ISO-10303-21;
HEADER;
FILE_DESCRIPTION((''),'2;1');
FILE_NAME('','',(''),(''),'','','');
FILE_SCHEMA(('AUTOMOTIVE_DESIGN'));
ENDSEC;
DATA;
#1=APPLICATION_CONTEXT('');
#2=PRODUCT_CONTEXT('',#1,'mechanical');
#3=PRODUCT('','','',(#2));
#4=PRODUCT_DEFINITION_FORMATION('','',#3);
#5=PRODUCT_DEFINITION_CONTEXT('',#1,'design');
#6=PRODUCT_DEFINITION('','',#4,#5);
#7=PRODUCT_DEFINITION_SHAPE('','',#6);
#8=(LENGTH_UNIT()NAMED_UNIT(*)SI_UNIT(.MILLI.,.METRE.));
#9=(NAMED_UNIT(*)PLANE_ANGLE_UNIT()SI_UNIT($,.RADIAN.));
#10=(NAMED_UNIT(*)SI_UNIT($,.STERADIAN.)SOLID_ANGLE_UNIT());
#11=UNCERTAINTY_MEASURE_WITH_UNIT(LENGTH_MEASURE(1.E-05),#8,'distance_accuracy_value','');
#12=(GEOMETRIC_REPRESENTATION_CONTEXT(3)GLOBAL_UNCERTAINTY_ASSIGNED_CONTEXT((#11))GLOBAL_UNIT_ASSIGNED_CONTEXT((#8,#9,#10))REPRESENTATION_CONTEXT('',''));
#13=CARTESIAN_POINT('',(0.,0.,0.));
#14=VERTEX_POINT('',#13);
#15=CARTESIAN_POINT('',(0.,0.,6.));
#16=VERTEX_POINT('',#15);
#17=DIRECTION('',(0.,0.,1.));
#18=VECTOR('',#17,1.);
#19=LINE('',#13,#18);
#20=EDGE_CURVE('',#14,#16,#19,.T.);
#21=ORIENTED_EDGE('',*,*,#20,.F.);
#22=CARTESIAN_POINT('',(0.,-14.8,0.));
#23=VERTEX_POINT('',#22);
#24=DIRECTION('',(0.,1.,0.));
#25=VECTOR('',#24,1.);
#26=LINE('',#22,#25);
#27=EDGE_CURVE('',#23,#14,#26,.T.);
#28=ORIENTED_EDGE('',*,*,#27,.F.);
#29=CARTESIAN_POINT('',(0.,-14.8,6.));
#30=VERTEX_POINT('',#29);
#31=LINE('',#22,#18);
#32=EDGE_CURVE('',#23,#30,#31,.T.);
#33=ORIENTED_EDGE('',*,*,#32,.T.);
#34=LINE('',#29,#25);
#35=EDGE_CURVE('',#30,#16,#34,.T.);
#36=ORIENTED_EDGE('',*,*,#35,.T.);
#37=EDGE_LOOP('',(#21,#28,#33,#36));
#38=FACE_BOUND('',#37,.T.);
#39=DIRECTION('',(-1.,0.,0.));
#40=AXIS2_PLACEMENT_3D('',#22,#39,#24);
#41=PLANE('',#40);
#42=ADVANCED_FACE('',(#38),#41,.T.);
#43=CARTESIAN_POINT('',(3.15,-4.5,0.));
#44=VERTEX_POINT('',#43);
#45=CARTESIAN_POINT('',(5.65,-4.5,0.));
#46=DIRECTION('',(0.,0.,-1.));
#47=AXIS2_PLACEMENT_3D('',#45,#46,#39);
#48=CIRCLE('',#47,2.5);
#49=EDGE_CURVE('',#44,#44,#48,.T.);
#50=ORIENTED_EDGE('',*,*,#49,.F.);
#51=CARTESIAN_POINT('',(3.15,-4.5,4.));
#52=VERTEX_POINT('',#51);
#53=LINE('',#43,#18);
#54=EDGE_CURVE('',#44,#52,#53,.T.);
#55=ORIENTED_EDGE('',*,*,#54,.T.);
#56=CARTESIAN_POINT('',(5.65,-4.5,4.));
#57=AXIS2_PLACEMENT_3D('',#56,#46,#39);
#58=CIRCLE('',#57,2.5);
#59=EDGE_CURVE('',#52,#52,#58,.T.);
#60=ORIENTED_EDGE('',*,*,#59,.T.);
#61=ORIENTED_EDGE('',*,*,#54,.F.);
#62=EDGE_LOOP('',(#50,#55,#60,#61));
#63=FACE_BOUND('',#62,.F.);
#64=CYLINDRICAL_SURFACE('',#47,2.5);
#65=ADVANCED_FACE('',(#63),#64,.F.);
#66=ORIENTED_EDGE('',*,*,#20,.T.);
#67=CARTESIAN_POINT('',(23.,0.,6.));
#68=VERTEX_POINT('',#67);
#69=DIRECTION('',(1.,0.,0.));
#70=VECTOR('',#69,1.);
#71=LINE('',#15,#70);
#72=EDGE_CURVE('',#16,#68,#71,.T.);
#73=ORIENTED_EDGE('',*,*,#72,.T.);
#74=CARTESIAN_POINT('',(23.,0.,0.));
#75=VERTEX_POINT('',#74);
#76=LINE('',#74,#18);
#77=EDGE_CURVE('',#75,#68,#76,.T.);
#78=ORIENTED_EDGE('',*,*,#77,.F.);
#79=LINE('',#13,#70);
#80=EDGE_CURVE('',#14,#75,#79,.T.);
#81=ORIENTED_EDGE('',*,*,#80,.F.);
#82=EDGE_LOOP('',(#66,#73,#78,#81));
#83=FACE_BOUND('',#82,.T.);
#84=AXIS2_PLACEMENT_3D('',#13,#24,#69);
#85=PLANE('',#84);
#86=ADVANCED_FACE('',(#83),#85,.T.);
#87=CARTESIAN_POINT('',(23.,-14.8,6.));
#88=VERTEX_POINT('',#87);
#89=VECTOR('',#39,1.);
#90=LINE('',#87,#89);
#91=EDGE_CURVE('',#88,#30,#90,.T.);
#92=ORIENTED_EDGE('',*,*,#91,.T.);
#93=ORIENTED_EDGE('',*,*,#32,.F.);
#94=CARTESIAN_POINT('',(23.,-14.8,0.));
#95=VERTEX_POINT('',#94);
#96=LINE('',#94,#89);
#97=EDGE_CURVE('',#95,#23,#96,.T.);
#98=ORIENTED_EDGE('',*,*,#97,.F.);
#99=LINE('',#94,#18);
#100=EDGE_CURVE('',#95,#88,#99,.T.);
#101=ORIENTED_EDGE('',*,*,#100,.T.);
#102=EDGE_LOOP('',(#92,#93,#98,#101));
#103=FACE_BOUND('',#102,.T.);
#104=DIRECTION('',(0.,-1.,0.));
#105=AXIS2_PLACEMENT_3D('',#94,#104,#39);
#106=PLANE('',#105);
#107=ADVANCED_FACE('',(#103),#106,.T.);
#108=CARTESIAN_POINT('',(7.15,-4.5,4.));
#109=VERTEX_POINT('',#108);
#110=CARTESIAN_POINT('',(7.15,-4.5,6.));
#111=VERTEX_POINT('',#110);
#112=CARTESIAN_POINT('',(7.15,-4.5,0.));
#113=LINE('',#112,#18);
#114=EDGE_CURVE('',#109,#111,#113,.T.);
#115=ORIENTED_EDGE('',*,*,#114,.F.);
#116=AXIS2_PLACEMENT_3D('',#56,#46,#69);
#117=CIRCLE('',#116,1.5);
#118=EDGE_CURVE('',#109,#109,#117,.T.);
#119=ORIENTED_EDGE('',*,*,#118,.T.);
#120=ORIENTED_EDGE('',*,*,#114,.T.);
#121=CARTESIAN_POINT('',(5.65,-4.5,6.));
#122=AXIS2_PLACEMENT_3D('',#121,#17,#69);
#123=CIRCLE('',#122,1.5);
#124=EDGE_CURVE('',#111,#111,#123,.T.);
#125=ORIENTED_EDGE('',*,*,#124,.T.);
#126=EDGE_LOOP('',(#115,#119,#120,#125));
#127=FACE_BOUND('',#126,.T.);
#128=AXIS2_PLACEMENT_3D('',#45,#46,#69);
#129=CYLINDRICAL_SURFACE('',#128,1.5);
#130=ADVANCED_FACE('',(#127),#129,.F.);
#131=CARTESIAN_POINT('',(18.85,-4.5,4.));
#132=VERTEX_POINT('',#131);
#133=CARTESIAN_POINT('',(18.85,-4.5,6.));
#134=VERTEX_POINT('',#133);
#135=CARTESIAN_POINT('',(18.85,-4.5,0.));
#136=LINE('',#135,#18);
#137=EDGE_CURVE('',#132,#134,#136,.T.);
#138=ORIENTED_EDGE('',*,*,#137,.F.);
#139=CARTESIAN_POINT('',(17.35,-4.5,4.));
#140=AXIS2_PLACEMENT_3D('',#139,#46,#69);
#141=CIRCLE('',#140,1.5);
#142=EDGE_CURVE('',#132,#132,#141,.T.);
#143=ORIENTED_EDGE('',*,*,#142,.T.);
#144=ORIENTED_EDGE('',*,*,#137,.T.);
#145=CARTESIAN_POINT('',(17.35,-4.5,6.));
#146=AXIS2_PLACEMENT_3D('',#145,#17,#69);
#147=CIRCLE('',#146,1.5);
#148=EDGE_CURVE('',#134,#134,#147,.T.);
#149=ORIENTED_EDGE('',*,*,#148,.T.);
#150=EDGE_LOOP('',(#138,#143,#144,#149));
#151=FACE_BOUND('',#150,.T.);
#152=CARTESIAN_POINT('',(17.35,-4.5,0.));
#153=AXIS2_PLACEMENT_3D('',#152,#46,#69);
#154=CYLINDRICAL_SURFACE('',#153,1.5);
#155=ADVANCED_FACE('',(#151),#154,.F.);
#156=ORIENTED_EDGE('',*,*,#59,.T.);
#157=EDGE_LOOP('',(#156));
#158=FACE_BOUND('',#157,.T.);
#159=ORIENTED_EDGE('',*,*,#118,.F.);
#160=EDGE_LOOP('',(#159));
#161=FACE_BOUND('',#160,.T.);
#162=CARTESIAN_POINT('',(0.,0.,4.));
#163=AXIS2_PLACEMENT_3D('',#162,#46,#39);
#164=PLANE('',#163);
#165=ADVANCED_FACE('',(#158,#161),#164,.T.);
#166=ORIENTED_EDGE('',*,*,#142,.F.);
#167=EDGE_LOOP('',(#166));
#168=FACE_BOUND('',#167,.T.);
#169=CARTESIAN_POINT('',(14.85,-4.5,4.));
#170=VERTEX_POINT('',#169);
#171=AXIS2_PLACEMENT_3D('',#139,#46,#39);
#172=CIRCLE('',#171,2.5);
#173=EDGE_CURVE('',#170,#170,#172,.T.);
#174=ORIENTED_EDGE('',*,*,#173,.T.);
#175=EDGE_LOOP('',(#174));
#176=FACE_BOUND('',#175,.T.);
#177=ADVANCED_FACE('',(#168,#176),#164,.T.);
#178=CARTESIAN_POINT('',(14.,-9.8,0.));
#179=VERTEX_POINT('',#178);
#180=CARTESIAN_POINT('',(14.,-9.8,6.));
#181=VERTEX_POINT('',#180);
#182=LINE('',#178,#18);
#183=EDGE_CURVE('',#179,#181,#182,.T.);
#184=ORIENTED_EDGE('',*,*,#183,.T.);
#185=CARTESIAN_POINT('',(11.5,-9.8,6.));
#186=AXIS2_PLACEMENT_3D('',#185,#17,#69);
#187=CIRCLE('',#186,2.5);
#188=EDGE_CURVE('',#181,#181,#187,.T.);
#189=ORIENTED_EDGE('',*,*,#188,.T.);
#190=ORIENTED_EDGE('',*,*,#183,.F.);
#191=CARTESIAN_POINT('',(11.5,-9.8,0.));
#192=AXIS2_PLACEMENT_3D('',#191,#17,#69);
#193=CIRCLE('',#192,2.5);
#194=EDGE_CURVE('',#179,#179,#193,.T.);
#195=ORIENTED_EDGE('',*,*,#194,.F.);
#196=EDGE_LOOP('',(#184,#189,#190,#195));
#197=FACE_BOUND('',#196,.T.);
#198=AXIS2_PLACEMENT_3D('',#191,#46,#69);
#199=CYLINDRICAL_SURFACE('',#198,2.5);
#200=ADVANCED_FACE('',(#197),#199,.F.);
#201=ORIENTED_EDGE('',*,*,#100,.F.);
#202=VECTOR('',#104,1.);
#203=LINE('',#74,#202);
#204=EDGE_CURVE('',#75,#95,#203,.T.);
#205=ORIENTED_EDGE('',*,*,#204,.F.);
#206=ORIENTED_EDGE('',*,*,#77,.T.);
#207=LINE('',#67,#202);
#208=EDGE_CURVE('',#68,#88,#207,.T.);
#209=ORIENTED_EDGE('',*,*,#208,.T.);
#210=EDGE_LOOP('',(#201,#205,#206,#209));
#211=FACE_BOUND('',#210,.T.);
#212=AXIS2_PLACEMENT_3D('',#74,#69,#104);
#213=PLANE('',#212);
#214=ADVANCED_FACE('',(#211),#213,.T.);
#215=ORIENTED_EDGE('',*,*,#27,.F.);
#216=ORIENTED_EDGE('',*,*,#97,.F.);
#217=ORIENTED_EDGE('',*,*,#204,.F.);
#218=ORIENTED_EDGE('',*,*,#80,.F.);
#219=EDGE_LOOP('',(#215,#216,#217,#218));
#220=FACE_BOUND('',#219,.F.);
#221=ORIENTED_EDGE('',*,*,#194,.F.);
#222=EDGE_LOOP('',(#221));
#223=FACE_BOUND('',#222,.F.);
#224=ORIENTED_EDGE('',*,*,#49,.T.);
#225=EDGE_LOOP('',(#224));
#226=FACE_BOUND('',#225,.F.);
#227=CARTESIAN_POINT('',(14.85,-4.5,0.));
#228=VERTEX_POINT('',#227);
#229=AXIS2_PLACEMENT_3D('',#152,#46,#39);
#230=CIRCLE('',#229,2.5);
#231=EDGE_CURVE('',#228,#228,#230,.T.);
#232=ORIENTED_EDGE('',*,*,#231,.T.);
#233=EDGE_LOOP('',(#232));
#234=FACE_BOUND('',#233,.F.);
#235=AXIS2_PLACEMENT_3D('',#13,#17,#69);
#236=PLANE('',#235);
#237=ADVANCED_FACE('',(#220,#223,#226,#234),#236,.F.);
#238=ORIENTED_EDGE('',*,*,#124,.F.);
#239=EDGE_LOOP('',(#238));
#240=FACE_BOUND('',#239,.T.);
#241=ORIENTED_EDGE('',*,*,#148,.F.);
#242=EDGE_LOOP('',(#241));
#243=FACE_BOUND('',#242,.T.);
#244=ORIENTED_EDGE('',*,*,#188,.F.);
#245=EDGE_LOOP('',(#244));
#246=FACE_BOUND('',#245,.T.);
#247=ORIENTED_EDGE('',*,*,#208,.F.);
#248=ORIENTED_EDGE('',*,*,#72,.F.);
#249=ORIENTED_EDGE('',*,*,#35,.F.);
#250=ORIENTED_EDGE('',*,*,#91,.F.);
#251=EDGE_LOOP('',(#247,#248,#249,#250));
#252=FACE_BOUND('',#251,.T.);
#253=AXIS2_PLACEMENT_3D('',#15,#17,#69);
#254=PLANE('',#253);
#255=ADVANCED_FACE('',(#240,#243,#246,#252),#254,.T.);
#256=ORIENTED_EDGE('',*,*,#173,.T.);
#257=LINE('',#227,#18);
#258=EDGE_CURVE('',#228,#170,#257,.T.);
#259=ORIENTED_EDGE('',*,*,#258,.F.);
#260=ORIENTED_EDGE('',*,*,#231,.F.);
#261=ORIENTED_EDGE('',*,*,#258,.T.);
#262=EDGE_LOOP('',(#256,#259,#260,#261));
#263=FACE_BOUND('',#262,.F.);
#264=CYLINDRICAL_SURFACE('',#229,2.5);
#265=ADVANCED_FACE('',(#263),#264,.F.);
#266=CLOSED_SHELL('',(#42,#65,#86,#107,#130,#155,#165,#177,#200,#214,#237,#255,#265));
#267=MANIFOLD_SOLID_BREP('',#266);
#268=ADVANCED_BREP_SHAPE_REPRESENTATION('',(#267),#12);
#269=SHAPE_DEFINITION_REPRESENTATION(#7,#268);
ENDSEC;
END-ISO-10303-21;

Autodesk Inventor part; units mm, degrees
ref_plane "YZ Plane" through (0, 0, 0) normal (1, 0, 0) x (0, 1, 0)
ref_plane "XZ Plane" through (0, 0, 0) normal (0, 1, 0) x (-1, 0, 0)
ref_plane "XY Plane" through (0, 0, 0) normal (0, 0, 1) x (1, 0, 0)
sketch "Sketch1" plane through (0, 0, 0) normal (0, 0, 1) x (1, 0, 0)
  line L0 (0, 0) -> (23, 0)
  line L1 (23, 0) -> (23, -14.8)
  line L2 (23, -14.8) -> (0, -14.8)
  line L3 (0, -14.8) -> (0, 0)
  circle A0 centre (5.65, -4.5) radius 1.5
  circle A1 centre (17.35, -4.5) radius 1.5
  circle A2 centre (11.5, -9.8) radius 2.5
  dimension "d0" = 23
  dimension "d1" = 14.8
  dimension "d2" = 4.5
  dimension "d3" = 11.7
  dimension "d4" = 5.65
  dimension "d5" = 5.65
  dimension "d6" = 11.5
  dimension "d7" = 5
  dimension "d8" = 3
  dimension "d9" = 3
  dimension "d10" = 5
extrude "Extrusion1" add sketch "Sketch1" along normal blind 6
sketch "Sketch2" plane through (0, 0, 0) normal (0, 0, -1) x (-1, 0, 0)
  circle A0 centre (-17.35, -4.5) radius 1.5 projected
  circle A1 centre (-17.35, -4.5) radius 2.5
  circle A2 centre (-5.65, -4.5) radius 1.5 projected
  circle A3 centre (-5.65, -4.5) radius 2.5
  point P0 (0, 0)
  dimension "d13" = 5
  dimension "d14" = 5
extrude "Extrusion2" cut sketch "Sketch2" against normal blind 4
equation "\"d4\" = -0.5 * d3 + 0.5 * d0"
equation "\"d5\" = d4"
equation "\"d6\" = 0.5 * d0"
equation "\"d9\" = d8"
equation "\"d14\" = d13"
properties part number "cam m6 replacement v01"
